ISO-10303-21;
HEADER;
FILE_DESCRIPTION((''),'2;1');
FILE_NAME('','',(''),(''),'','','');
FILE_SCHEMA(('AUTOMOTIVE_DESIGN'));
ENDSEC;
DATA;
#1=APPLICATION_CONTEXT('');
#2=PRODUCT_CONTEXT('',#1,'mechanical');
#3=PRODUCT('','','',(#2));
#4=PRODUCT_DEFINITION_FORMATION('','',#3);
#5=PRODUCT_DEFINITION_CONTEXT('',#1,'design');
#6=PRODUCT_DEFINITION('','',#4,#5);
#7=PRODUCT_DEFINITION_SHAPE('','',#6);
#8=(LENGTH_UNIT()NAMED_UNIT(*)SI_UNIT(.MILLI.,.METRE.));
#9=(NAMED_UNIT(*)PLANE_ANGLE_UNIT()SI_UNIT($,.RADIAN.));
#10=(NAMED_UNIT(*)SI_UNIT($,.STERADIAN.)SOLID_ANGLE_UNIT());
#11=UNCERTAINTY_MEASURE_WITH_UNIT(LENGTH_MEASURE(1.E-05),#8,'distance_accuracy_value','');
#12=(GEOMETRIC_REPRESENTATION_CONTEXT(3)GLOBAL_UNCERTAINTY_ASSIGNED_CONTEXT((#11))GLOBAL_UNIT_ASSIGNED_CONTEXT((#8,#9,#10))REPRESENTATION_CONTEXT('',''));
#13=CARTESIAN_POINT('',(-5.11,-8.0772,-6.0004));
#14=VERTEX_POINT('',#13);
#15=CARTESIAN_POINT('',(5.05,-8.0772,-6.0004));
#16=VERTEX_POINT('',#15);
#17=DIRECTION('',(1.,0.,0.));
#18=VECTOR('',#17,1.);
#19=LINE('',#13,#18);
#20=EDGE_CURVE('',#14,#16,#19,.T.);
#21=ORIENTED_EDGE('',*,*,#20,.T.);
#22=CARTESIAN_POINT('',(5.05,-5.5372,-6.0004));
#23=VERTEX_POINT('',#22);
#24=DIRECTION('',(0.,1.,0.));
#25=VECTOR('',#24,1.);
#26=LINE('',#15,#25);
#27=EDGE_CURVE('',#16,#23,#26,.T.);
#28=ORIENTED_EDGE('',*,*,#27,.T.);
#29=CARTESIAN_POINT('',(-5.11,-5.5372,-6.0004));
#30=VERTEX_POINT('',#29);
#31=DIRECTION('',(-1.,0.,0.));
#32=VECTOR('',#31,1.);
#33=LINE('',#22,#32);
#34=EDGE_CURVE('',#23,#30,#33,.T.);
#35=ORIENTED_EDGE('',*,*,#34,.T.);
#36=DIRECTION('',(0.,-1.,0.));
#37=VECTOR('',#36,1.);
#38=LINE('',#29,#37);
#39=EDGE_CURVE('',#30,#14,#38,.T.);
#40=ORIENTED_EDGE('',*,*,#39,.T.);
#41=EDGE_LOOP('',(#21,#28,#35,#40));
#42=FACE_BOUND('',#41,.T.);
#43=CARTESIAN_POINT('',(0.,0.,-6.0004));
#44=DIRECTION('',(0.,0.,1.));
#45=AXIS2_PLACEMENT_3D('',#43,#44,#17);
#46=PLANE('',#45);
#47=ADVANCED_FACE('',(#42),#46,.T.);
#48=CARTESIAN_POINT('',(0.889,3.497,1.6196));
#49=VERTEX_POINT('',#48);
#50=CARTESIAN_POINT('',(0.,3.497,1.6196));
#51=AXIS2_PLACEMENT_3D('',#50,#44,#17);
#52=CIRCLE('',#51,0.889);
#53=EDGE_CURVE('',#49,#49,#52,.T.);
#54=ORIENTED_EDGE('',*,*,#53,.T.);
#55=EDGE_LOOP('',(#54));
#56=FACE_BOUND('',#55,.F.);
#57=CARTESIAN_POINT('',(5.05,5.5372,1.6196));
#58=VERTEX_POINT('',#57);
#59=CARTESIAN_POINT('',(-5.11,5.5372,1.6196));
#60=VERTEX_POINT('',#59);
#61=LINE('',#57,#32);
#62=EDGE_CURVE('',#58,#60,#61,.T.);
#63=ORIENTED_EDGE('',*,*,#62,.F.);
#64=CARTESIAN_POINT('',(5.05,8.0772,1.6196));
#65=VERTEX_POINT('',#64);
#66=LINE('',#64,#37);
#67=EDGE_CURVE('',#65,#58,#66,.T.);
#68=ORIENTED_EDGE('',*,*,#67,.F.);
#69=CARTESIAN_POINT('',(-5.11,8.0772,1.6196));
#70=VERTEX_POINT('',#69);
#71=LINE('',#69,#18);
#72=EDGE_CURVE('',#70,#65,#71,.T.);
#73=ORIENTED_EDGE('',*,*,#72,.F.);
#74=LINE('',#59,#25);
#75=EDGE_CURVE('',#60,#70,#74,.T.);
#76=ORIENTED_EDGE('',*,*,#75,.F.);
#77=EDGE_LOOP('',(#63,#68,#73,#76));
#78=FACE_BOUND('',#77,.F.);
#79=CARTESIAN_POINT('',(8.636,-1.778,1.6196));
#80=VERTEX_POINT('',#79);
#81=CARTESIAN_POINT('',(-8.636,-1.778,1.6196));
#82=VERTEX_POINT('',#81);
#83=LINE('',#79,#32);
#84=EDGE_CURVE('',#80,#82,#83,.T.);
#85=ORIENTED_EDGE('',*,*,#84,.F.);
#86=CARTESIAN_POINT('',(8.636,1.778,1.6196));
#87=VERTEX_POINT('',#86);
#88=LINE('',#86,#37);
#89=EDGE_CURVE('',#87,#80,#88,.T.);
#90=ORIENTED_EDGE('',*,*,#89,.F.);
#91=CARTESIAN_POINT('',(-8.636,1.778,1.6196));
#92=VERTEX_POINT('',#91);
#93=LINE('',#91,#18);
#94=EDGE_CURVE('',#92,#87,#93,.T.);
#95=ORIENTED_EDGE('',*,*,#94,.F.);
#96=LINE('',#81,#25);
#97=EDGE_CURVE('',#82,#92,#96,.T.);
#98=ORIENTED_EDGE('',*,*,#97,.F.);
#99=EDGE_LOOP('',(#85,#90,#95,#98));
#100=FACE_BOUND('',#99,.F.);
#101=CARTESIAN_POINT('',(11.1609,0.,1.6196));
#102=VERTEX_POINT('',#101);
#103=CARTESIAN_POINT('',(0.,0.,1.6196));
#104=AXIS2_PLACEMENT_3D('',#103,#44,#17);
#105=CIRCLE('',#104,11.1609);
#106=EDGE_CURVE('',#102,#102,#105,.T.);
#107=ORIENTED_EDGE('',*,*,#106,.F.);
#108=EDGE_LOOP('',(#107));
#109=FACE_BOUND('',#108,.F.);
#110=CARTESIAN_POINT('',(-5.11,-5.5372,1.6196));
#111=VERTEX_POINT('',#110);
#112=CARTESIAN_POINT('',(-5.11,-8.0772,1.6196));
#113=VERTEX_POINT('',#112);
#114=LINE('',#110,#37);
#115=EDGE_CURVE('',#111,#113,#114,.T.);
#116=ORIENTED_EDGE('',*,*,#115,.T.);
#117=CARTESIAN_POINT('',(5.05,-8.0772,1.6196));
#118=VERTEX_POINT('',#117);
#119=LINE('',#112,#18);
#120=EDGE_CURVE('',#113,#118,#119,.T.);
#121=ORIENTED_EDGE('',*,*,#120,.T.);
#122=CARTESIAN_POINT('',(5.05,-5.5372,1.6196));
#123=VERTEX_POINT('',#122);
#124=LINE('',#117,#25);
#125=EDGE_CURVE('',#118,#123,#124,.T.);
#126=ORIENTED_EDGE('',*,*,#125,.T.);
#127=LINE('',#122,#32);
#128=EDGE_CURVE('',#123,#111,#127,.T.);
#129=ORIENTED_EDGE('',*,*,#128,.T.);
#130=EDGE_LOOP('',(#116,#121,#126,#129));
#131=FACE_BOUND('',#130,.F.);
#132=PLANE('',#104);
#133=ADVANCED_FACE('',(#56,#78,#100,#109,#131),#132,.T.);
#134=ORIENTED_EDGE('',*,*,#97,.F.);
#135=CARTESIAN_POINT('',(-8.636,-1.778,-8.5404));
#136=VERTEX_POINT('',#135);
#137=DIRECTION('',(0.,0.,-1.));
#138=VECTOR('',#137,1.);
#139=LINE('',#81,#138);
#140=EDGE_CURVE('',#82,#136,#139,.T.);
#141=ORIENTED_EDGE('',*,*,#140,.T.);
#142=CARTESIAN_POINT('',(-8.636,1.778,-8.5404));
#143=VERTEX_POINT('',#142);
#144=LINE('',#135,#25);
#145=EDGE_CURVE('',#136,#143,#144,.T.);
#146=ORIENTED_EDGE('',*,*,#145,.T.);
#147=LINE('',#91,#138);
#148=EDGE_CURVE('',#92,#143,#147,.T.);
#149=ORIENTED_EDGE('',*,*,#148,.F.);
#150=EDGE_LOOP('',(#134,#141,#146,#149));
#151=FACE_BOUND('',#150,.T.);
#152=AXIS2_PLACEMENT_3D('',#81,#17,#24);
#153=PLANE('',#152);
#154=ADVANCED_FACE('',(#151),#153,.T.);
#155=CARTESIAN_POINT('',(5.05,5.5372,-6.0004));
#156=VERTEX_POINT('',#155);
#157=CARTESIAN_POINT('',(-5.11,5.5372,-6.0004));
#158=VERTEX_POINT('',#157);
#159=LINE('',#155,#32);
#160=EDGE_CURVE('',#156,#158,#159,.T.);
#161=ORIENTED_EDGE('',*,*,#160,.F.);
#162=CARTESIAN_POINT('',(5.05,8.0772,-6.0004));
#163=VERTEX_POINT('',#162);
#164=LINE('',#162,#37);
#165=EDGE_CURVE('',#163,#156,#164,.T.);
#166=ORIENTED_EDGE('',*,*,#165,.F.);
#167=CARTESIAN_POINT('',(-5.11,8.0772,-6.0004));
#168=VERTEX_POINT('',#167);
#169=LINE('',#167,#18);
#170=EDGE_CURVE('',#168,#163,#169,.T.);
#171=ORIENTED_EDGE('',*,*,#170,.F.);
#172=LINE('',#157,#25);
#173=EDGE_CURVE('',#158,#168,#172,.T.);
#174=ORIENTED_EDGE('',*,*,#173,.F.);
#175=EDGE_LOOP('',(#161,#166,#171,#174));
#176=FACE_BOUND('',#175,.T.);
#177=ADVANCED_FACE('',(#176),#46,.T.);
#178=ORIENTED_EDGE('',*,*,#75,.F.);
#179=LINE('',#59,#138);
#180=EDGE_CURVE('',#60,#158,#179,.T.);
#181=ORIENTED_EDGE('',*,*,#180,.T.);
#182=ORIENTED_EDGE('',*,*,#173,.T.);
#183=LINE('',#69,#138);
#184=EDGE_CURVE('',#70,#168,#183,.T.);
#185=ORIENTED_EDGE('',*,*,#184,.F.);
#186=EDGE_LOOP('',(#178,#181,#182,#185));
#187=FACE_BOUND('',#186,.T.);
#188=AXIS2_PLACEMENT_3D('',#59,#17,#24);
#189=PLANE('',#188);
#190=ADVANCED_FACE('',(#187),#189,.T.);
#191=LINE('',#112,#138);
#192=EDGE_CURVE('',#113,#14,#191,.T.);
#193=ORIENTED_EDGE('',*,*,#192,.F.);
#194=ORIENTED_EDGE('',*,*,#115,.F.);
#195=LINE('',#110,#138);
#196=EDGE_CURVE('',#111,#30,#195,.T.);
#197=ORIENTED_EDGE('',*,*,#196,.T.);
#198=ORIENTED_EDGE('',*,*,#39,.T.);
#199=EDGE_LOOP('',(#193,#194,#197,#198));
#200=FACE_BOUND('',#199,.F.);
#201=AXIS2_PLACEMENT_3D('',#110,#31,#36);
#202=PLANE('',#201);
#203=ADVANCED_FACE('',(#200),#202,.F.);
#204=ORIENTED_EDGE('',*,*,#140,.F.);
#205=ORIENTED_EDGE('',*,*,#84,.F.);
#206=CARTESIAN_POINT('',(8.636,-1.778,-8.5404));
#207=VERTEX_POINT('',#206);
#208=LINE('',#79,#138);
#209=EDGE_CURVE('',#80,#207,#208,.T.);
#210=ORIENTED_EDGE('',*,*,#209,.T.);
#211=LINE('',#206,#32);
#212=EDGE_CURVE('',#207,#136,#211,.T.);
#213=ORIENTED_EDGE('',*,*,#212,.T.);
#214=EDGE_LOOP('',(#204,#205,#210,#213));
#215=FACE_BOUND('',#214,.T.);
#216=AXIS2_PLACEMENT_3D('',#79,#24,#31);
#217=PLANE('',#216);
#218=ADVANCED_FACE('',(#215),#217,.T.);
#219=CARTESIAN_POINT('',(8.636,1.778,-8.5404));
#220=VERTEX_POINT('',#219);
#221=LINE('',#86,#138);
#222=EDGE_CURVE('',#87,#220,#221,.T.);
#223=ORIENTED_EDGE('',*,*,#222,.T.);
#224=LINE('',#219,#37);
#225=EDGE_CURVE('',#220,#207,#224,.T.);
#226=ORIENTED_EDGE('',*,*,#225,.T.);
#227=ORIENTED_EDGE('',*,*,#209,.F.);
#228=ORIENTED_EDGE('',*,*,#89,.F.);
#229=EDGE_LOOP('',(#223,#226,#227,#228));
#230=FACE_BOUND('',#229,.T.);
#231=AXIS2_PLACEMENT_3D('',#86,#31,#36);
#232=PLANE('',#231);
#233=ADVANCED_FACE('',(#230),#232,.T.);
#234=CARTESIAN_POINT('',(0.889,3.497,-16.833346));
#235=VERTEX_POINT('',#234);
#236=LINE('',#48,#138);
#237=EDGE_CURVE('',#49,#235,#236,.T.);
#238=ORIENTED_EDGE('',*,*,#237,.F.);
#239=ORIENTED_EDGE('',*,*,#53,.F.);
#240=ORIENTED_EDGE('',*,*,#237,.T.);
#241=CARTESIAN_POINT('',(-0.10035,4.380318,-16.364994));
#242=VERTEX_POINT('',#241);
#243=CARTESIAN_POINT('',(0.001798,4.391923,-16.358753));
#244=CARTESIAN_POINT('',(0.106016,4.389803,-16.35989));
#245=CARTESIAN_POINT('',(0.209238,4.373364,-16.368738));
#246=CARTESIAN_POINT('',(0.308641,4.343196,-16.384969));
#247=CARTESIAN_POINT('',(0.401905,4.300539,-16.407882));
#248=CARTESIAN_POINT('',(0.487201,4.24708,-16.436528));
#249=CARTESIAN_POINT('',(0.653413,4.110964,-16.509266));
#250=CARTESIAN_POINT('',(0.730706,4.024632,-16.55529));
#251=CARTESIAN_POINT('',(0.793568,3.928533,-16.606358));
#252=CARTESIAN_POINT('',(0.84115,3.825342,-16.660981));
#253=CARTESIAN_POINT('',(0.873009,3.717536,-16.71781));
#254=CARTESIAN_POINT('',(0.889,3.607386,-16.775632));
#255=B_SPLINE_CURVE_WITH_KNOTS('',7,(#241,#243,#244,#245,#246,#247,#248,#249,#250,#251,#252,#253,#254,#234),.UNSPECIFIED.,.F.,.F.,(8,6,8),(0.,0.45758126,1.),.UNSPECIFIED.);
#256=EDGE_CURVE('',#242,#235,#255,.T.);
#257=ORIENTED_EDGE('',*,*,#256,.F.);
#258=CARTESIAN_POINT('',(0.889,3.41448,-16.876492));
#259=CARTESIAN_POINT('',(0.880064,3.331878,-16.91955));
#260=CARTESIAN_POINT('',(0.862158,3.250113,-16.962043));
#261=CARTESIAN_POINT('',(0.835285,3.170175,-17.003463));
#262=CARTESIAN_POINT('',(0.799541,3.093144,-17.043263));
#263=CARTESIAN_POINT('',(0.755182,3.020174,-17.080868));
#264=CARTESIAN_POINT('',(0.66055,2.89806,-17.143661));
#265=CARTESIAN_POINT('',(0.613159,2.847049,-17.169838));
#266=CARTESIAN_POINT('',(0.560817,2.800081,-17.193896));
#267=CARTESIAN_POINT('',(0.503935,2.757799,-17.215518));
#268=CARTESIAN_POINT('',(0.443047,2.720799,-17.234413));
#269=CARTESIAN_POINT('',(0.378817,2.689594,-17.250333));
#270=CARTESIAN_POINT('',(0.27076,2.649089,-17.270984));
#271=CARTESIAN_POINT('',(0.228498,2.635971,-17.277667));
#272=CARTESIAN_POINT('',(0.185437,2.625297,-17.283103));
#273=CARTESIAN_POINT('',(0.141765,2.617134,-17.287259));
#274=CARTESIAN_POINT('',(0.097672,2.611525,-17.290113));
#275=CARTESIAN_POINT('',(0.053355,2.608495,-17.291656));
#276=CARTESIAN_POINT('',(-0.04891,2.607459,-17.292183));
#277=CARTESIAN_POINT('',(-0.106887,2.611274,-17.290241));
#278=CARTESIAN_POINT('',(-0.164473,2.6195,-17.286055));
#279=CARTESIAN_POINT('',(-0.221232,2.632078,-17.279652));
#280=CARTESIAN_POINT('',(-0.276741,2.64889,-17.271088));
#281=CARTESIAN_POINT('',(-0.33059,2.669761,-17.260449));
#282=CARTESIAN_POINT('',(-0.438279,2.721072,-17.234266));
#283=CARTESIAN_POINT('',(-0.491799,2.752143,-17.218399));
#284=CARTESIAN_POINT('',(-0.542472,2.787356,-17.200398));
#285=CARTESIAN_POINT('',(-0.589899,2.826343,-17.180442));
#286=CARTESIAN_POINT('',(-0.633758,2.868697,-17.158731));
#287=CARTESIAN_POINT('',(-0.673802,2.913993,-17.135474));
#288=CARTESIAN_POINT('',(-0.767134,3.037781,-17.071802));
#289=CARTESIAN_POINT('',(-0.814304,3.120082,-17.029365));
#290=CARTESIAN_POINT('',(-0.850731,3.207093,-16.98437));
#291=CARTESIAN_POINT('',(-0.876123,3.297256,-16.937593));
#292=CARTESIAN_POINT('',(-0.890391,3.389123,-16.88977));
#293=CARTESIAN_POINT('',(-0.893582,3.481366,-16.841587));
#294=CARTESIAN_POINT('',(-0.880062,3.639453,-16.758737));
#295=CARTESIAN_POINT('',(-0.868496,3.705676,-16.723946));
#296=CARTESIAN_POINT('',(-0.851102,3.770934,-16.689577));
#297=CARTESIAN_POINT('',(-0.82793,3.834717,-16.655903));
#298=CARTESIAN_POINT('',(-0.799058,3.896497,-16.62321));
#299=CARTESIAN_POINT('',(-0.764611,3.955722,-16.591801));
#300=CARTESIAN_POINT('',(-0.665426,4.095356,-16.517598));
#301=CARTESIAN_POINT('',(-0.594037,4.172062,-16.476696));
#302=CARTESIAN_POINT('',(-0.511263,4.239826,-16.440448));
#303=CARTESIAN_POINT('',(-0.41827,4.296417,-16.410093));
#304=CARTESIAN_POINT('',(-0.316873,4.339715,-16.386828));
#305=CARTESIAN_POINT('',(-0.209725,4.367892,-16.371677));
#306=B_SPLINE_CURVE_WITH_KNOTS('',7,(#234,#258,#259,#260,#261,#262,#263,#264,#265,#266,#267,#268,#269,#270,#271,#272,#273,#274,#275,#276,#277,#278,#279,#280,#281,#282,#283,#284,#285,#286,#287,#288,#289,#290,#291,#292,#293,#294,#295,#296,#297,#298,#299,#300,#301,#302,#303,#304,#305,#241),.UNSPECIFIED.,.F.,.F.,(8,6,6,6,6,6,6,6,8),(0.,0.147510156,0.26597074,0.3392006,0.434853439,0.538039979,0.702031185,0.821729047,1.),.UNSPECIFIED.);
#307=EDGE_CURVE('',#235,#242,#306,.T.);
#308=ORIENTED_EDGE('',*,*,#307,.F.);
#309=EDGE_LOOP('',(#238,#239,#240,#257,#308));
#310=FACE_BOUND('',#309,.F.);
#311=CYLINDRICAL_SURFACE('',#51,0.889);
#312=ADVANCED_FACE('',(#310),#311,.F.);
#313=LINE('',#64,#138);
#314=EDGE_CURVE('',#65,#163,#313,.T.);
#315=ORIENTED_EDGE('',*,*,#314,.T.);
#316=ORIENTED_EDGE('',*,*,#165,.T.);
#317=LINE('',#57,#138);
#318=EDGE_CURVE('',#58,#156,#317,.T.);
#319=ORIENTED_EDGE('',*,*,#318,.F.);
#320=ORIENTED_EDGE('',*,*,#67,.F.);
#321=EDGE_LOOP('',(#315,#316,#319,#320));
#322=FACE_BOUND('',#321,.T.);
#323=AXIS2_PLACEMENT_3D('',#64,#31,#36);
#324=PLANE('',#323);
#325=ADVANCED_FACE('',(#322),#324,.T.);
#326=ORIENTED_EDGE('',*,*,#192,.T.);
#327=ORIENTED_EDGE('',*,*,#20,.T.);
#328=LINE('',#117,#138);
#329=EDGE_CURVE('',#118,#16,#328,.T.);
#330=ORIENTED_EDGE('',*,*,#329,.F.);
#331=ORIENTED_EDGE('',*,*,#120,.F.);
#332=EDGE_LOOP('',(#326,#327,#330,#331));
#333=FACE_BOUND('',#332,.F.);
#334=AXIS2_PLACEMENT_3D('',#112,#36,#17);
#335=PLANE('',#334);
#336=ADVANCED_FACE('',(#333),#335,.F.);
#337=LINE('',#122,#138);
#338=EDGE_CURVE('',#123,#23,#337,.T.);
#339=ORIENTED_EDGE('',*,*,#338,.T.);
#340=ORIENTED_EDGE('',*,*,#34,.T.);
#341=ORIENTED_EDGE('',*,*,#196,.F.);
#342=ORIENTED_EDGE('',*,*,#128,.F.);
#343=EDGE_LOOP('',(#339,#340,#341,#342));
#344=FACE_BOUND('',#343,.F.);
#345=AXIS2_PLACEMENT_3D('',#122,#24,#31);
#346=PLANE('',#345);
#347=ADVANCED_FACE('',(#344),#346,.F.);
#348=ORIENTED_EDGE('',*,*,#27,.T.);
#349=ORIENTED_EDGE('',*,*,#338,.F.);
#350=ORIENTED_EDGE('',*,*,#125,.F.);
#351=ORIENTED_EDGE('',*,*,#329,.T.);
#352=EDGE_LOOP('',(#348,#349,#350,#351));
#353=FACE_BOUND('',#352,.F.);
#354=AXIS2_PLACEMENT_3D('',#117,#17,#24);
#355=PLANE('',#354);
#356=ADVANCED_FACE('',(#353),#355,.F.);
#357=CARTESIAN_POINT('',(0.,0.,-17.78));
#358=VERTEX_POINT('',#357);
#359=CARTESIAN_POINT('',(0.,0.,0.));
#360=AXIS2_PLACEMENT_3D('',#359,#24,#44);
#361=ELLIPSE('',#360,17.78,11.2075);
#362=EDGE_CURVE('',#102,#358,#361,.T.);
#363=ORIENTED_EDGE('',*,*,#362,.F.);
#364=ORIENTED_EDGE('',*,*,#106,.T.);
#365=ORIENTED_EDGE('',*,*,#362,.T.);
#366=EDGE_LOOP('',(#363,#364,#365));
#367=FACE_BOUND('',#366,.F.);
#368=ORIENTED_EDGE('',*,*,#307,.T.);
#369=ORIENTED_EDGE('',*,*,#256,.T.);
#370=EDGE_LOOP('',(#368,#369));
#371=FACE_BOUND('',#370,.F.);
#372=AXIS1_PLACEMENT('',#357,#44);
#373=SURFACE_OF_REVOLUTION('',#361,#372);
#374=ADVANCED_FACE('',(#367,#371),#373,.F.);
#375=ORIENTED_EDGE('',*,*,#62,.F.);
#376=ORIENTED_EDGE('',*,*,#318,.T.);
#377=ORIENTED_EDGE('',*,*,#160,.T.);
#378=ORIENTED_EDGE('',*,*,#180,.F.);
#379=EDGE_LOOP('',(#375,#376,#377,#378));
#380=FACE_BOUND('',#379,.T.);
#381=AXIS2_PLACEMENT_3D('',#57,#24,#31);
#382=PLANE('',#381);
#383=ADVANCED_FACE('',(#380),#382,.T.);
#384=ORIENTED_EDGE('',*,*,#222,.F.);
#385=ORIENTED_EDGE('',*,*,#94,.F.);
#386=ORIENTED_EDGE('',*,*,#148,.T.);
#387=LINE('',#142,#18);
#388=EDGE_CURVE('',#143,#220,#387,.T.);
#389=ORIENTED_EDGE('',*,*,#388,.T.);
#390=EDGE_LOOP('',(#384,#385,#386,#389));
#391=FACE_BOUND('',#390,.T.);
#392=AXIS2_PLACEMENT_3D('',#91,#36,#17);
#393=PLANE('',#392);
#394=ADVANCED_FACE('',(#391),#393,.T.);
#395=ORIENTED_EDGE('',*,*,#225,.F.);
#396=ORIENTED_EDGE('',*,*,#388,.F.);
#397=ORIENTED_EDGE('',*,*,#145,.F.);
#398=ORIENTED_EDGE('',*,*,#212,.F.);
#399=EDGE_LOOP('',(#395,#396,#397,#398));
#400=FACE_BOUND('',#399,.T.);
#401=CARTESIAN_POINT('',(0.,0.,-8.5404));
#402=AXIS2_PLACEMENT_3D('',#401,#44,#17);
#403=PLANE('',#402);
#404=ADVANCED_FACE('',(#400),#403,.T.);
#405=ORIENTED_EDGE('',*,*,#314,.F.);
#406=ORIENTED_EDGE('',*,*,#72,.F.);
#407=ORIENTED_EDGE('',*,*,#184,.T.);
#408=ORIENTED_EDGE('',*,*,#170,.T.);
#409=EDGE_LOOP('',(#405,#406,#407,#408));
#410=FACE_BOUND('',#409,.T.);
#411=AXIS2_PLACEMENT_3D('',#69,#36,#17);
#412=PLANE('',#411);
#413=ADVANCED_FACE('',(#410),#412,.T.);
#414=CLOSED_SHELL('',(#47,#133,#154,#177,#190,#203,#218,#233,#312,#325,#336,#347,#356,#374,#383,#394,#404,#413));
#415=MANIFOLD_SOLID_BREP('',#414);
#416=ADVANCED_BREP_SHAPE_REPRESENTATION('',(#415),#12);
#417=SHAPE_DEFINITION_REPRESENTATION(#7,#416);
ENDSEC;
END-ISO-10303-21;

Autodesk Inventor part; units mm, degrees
ref_plane "YZ Plane" through (0, 0, 0) normal (1, 0, 0) x (0, 1, 0)
ref_plane "XZ Plane" through (0, 0, 0) normal (0, 1, 0) x (-1, 0, 0)
ref_plane "XY Plane" through (0, 0, 0) normal (0, 0, 1) x (1, 0, 0)
sketch "Sketch1" plane through (0, 0, 0) normal (0, 1, 0) x (-1, 0, 0)
  ellipse E0 centre (0, 0) end of major axis (0, 17.78) minor radius 11.2075
  line L0 (11.1609, 1.6196) -> (-11.1609, 1.6196)
  line L1 (0, -17.78) -> (0, 1.6196)
  line L2 (8.595, 11.4106) -> (-8.6719, 11.4106)
  dimension "d0" = 17.78
  dimension "d11" = 9.7909
revolve "Revolution1" add sketch "Sketch1" angle 360 about axis through (0, 0, -17.78) along (0, 0, 1) picked at (-2.3015, -10.0552) contours L0 L1 E0
sketch "Sketch2" plane through (0, 0, 1.6196) normal (0, 0, 1) x (1, 0, 0)
  line L0 (-8.636, 1.778) -> (8.636, 1.778)
  line L1 (8.636, 1.778) -> (8.636, -1.778)
  line L2 (8.636, -1.778) -> (-8.636, -1.778)
  line L3 (-8.636, -1.778) -> (-8.636, 1.778)
  line L4 (-8.636, 1.778) -> (8.636, -1.778) construction
  line L5 (8.636, 1.778) -> (-8.636, -1.778) construction
  point P0 (0, 0)
  dimension "d2" = 17.272
  dimension "d3" = 3.556
extrude "Extrusion1" cut sketch "Sketch2" against normal blind 10.16
sketch "Sketch3" plane through (0, 0, 1.6196) normal (0, 0, 1) x (1, 0, 0)
  line L0 (-5.11, 8.0772) -> (5.05, 8.0772)
  line L1 (5.05, 8.0772) -> (5.05, 5.5372)
  line L2 (5.05, 5.5372) -> (-5.11, 5.5372)
  line L3 (-5.11, 5.5372) -> (-5.11, 8.0772)
  line L4 (-5.11, 8.0772) -> (5.05, 5.5372) construction
  line L5 (5.05, 8.0772) -> (-5.11, 5.5372) construction
  circle A0 centre (0, 0) radius 11.1609 projected
  line L6 (-11.1609, 0) -> (11.1609, 0)
  line L7 (11.2075, 0) -> (0, 0) projected
  line L8 (-5.11, -8.0772) -> (5.05, -8.0772)
  line L9 (5.05, -8.0772) -> (5.05, -5.5372)
  line L10 (5.05, -5.5372) -> (-5.11, -5.5372)
  line L11 (-5.11, -5.5372) -> (-5.11, -8.0772)
  point P0 (-0.03, 6.8072)
  dimension "d6" = 10.16
  dimension "d7" = 2.54
  dimension "d12" = 6.8072
extrude "Extrusion2" cut sketch "Sketch3" against normal blind 7.62 contours L0 L1 L2 L3 | L11 L10 L9 L8
sketch "Sketch4" plane through (0, 0, 1.6196) normal (0, 0, 1) x (1, 0, 0)
  circle A0 centre (0, 3.497) radius 0.889
  point P0 (0, 0)
  dimension "d13" = 1.778
extrude "Extrusion3" cut sketch "Sketch4" against normal through all
properties part number "Bead Round Top copy 1"
